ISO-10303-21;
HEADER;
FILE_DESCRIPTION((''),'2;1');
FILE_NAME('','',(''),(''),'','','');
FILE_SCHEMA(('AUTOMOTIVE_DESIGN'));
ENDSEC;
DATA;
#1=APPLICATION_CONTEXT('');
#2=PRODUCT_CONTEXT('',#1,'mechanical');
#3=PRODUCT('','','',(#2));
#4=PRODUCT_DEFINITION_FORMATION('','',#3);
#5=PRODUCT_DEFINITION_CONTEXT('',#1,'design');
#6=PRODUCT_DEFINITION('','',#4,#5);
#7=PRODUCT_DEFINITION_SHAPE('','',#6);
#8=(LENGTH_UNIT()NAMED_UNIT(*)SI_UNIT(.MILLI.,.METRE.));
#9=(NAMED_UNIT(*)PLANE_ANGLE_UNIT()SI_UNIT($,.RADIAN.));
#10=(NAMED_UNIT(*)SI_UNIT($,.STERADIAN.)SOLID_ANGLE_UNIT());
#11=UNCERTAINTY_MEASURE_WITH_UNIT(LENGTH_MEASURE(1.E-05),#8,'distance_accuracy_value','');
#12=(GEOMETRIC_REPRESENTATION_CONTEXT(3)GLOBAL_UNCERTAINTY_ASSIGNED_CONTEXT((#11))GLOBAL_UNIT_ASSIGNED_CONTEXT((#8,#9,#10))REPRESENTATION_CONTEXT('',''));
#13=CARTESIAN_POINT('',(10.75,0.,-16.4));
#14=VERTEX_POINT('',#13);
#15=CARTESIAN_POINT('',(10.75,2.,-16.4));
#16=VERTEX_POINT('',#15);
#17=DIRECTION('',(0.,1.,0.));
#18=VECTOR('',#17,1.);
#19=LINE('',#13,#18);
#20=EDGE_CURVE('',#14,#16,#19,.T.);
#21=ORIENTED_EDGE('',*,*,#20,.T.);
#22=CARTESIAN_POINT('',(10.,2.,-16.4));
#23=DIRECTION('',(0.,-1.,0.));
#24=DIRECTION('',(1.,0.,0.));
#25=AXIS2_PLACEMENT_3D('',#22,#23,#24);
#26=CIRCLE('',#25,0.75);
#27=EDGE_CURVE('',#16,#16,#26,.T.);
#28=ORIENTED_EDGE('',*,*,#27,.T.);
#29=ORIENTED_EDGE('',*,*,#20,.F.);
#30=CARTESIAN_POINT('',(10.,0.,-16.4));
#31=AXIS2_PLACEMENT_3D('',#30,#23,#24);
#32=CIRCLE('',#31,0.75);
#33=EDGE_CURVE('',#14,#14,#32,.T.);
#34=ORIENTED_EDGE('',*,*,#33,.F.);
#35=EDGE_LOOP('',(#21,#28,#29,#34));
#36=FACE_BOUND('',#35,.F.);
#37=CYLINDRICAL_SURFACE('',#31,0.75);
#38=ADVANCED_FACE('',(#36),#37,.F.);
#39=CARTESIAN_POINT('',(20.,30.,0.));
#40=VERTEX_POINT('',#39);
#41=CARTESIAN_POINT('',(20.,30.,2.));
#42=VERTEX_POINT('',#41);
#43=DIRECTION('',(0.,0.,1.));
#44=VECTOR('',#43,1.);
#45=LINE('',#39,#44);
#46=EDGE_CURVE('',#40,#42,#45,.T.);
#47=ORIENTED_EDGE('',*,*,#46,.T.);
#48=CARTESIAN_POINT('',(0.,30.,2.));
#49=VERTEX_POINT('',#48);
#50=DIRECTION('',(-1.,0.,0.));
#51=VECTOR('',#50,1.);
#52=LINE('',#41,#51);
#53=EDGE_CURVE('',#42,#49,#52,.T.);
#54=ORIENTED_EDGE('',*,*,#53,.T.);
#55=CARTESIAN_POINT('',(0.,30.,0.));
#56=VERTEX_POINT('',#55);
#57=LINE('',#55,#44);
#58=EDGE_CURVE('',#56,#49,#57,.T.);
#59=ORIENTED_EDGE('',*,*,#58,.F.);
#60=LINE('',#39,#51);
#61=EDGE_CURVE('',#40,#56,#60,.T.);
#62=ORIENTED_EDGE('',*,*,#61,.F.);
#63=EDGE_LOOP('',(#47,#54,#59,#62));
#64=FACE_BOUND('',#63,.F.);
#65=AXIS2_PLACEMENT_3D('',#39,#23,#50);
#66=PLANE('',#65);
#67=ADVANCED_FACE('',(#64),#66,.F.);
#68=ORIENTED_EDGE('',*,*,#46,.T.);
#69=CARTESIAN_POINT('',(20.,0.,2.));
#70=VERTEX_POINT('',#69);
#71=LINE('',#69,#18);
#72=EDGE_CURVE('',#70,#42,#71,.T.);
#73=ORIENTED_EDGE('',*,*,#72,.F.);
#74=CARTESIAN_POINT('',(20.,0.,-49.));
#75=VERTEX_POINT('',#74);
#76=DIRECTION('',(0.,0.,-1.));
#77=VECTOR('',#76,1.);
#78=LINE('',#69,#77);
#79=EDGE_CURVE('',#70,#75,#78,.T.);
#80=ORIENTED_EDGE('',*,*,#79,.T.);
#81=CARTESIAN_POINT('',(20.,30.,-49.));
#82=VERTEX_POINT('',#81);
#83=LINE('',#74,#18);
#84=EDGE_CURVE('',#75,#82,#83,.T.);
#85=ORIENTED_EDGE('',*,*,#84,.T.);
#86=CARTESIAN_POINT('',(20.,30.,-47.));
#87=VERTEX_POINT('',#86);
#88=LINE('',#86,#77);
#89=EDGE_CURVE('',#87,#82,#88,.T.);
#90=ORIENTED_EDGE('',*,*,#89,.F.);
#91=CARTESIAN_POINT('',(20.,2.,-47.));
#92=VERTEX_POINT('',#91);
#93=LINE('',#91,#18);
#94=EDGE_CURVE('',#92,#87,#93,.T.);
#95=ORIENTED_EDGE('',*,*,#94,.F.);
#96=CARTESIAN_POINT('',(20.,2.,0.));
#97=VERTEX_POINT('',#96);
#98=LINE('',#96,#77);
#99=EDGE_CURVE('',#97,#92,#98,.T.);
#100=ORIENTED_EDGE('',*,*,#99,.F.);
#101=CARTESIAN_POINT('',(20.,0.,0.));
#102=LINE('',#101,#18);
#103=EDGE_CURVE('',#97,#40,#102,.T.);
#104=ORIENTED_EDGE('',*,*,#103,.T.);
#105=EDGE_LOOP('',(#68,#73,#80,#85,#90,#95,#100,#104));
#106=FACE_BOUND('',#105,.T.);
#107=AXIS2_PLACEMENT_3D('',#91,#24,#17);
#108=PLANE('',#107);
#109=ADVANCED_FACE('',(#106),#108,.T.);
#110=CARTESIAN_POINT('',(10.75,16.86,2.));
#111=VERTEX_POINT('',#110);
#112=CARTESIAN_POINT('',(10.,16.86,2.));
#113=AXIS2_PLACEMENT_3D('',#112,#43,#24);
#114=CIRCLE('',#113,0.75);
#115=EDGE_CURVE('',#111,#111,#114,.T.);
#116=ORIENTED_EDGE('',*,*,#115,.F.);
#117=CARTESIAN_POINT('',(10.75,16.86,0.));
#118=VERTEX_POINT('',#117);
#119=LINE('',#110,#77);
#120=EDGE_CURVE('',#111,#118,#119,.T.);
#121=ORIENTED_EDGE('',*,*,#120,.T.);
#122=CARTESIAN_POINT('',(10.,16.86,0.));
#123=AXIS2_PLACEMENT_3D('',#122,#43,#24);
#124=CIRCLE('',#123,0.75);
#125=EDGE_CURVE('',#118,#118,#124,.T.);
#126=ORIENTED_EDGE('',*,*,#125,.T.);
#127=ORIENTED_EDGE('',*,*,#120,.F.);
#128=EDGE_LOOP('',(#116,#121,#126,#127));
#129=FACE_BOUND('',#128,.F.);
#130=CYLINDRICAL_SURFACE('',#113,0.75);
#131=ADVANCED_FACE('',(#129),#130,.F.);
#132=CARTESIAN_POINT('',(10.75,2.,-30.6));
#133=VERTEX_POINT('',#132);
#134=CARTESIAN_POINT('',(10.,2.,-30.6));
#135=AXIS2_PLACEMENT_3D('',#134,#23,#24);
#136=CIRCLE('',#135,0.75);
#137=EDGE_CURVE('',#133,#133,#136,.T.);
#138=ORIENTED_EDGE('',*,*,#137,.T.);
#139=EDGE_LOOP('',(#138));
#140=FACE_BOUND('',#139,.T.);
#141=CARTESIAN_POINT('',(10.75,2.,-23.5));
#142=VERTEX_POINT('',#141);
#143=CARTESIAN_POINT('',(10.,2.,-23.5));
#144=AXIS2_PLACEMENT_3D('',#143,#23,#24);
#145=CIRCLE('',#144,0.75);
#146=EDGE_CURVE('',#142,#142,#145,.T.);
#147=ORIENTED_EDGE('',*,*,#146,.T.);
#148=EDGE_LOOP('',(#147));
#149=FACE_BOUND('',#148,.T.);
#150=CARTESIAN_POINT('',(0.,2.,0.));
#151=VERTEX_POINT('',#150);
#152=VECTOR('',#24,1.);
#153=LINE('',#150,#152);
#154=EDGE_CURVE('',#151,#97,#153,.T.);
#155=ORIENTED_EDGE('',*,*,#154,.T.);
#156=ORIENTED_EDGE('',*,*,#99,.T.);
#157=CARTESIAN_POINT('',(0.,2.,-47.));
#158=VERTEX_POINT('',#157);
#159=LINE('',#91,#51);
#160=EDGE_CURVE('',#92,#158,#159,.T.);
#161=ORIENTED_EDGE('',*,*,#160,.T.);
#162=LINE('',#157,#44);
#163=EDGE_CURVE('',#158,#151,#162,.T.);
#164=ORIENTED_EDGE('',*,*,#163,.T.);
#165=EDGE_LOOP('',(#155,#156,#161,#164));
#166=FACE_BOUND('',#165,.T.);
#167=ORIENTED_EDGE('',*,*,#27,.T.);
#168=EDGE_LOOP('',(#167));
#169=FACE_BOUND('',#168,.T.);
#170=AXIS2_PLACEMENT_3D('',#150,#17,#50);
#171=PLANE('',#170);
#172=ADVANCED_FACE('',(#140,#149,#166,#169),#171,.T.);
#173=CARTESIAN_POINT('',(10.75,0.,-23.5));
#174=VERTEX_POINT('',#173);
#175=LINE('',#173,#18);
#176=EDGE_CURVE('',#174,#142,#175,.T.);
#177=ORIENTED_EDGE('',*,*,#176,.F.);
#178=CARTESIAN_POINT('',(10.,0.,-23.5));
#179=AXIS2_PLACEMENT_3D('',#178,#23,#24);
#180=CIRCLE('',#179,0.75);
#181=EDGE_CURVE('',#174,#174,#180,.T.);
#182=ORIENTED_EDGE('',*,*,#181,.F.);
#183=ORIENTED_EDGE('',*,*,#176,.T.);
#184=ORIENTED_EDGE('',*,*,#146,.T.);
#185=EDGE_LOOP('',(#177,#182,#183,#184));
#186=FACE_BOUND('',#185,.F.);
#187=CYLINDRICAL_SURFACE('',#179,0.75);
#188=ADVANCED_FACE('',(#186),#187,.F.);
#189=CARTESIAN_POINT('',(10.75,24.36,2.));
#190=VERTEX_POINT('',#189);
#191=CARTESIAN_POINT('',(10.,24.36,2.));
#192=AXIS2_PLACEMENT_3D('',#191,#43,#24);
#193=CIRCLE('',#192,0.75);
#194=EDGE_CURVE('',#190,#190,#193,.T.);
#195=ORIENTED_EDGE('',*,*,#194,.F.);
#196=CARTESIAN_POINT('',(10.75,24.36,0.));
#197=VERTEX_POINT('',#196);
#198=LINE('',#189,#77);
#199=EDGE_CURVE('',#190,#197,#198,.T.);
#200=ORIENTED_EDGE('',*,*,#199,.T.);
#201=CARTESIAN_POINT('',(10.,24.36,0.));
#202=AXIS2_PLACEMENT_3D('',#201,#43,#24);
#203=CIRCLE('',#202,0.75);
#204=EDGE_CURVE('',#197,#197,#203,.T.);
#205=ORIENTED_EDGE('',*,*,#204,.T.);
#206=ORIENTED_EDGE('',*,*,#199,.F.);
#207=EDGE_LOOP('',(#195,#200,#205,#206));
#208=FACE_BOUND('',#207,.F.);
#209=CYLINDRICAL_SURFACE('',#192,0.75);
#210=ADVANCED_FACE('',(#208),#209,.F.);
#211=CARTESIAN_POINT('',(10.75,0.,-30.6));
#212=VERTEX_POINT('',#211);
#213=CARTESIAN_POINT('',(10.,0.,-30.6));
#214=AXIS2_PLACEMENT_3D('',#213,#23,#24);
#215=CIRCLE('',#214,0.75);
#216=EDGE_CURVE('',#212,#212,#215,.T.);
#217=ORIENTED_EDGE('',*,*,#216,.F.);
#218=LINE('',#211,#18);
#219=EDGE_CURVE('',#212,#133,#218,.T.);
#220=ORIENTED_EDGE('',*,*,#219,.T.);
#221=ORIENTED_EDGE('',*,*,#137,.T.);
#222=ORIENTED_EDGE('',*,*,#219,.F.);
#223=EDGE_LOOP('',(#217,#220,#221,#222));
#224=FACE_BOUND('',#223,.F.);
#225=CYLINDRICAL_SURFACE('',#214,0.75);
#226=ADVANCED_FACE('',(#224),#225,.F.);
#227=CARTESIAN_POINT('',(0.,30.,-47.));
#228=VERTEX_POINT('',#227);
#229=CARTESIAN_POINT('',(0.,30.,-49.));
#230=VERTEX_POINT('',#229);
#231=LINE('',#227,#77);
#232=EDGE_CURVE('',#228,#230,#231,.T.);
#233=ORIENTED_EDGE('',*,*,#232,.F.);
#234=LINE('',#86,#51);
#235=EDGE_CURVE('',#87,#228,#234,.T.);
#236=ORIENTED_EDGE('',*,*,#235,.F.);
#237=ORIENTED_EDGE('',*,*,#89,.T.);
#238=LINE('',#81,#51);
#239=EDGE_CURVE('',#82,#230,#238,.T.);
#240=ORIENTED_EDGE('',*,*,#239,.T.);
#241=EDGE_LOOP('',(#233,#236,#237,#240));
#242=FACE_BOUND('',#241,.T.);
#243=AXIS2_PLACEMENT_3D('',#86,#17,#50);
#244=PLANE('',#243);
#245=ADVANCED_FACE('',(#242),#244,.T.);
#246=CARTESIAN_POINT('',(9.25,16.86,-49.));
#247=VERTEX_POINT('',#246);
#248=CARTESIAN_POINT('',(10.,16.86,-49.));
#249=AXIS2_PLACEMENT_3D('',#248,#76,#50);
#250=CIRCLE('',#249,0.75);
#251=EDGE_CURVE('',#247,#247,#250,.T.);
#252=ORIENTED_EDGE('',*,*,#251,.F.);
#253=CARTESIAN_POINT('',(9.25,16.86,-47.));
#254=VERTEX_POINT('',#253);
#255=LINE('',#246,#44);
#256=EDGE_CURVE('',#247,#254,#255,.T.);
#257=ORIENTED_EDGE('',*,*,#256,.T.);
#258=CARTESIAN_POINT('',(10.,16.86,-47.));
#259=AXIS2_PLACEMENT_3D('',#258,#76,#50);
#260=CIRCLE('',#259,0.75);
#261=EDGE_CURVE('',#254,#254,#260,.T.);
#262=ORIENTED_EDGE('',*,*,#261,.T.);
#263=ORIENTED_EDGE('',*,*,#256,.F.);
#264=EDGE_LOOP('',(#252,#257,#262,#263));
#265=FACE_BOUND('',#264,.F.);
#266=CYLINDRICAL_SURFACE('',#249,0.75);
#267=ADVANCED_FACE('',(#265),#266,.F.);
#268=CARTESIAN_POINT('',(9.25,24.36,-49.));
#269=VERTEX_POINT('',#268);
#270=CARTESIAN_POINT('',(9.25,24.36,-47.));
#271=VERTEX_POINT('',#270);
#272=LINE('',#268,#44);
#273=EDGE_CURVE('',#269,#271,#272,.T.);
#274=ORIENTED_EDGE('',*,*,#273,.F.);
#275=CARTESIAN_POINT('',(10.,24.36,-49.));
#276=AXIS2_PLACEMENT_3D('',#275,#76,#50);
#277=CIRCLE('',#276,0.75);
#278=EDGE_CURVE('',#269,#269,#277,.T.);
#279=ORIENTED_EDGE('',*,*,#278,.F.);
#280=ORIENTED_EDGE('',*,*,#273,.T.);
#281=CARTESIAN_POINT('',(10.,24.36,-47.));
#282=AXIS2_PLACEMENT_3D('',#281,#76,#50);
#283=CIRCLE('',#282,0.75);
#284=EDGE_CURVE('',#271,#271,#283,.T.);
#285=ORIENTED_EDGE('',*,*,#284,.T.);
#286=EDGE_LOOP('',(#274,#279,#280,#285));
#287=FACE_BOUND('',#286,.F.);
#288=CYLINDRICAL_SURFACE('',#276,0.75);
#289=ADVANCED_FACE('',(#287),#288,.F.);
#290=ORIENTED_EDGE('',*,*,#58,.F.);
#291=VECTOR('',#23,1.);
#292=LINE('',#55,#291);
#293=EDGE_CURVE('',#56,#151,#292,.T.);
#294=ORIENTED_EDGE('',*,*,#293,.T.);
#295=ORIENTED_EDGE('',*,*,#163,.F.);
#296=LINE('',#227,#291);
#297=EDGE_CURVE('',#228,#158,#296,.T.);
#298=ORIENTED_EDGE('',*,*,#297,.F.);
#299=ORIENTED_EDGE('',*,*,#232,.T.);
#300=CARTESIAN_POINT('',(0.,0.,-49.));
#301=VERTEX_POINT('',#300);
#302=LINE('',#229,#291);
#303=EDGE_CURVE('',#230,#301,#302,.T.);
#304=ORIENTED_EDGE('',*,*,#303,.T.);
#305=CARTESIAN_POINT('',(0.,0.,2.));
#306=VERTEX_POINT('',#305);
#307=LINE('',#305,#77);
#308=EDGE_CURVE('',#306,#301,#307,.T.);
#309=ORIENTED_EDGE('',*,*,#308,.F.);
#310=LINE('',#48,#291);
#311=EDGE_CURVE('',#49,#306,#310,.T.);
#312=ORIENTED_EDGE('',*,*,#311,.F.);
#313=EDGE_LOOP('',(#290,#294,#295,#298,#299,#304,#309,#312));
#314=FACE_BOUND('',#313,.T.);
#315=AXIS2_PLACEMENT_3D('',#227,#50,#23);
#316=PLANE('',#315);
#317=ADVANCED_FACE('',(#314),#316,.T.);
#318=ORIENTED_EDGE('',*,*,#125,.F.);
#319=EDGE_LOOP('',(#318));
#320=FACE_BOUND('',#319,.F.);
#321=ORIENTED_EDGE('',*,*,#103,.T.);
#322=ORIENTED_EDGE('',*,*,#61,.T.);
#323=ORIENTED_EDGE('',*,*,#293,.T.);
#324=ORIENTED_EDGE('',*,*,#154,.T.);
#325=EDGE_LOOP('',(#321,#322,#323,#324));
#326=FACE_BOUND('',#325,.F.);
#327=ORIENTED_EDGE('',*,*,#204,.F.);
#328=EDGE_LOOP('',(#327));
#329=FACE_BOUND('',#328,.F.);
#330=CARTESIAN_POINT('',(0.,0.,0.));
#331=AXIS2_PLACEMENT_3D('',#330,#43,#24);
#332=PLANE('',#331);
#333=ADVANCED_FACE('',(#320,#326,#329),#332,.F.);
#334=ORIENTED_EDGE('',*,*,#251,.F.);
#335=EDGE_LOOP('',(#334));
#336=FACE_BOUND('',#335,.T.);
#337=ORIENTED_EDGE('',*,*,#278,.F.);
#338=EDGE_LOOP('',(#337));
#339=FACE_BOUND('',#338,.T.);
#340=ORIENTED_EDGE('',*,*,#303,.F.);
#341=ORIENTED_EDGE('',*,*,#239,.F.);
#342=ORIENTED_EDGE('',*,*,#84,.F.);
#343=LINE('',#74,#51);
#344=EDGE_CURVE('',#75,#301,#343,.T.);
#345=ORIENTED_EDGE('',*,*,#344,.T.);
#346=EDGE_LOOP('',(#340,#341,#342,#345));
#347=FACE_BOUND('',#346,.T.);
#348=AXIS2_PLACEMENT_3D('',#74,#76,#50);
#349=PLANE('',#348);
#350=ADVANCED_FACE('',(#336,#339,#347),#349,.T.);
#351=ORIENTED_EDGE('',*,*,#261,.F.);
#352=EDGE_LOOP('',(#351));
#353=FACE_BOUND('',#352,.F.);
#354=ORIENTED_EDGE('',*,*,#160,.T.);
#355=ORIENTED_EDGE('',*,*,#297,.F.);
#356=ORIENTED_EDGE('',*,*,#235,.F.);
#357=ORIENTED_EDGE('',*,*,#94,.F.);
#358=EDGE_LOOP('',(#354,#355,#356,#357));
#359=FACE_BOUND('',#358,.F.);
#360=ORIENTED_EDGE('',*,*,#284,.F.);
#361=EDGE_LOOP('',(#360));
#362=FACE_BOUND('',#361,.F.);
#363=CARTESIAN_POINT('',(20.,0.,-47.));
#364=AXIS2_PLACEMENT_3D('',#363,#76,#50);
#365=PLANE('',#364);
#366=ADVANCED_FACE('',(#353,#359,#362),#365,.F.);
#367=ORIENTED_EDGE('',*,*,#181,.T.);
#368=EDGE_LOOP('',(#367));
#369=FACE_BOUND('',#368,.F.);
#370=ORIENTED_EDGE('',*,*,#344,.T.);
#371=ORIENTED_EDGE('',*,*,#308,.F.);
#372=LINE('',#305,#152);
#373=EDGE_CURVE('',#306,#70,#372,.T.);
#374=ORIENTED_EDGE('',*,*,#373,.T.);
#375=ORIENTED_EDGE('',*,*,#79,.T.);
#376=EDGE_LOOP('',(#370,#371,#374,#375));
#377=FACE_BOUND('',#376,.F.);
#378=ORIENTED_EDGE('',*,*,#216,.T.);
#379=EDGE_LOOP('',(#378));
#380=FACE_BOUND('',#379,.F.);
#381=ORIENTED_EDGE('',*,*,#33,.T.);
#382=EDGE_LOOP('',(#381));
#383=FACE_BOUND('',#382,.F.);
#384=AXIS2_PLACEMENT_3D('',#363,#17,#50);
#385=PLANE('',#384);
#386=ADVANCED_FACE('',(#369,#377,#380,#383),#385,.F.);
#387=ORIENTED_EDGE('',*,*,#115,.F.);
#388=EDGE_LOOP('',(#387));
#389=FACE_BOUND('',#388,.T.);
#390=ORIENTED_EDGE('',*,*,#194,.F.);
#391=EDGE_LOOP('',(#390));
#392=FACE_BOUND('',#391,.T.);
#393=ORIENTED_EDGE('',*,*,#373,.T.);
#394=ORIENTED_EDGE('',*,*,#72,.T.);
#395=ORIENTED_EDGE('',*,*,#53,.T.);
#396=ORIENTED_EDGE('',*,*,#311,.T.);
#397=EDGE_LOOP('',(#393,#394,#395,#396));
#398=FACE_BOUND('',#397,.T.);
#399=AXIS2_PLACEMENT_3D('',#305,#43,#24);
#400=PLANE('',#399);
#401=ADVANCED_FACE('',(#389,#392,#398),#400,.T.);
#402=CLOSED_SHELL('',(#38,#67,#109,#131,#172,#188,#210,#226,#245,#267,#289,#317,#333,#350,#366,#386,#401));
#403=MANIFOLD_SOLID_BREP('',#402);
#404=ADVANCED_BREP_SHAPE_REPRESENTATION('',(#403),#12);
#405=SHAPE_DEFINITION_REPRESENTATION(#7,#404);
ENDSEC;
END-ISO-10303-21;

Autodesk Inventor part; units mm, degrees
ref_plane "YZ Plane" through (0, 0, 0) normal (1, 0, 0) x (0, 1, 0)
ref_plane "XZ Plane" through (0, 0, 0) normal (0, 1, 0) x (-1, 0, 0)
ref_plane "XY Plane" through (0, 0, 0) normal (0, 0, 1) x (1, 0, 0)
sketch "Sketch9" plane through (0, 0, 0) normal (0, 1, 0) x (-1, 0, 0)
  line L0 (0, 0) -> (-20, 0)
  line L1 (-20, 0) -> (-20, -47)
  line L2 (-20, -47) -> (0, -47)
  line L3 (0, -47) -> (0, 0)
  dimension "d20" = 20
  dimension "d21" = 47
extrude "Extrusion6" add sketch "Sketch9" along normal blind 2
sketch "Sketch10" plane through (0, 0, 0) normal (0, 0, 1) x (1, 0, 0)
  line L0 (0, 0) -> (20, 0) projected
  line L1 (0, 0) -> (20, 0)
  line L2 (20, 0) -> (20, 30)
  line L3 (20, 30) -> (0, 30)
  line L4 (0, 30) -> (0, 0)
  dimension "d24" = 30
  dimension "d40" = 20
extrude "Extrusion7" add sketch "Sketch10" along normal blind 2
sketch "Sketch11" plane through (20, 0, -47) normal (0, 0, -1) x (-1, 0, 0)
  line L0 (0, 2) -> (0, 30) projected
  line L1 (0, 0) -> (20, 0) projected
  line L2 (0, 30) -> (20, 30)
  line L3 (20, 30) -> (20, 0)
  line L4 (20, 0) -> (0, 0)
  line L5 (0, 0) -> (0, 30)
  dimension "d39" = 30
extrude "Extrusion8" add sketch "Sketch11" along normal blind 2
sketch "Sketch12" plane through (20, 0, -49) normal (0, 0, -1) x (-1, 0, 0)
  circle A0 centre (10, 24.36) radius 0.75
  line L0 (20, 30) -> (0, 30) projected
  line L1 (0, 30) -> (0, 0) projected
  point P0 (20, 0)
  dimension "d29" = 1.5
  dimension "d30" = 5.64
  dimension "d31" = 10
extrude "Extrusion9" cut sketch "Sketch12" against normal blind 2
sketch "Sketch13" plane through (20, 0, -49) normal (0, 0, -1) x (-1, 0, 0)
  circle A0 centre (10, 16.86) radius 0.75
  line L0 (0, 30) -> (0, 0) projected
  circle A1 centre (10, 24.36) radius 0.75 projected
  point P0 (20, 0)
  dimension "d34" = 1.5
  dimension "d35" = 10
  dimension "d36" = 7.5
extrude "Extrusion10" cut sketch "Sketch13" against normal blind 2 contours A0
sketch "Sketch14" plane through (0, 0, 0) normal (0, -1, 0) x (1, 0, 0)
  circle A0 centre (10, -23.5) radius 0.75
  line L0 (0, 2) -> (0, -49) projected
  line L1 (20, -47) -> (0, -47) projected
  circle A1 centre (10, -30.6) radius 0.75
  circle A2 centre (10, -16.4) radius 0.75
  point P0 (0, 0)
  dimension "d41" = 1.5
  dimension "d42" = 10
  dimension "d43" = 23.5
  dimension "d44" = 1.5
  dimension "d45" = 7.1
  dimension "d46" = 1.5
  dimension "d47" = 7.1
extrude "Extrusion11" cut sketch "Sketch14" against normal blind 10
sketch "Sketch15" plane through (0, 0, 2) normal (0, 0, 1) x (1, 0, 0)
  circle A0 centre (10, 24.36) radius 0.75 projected
  circle A1 centre (10, 24.36) radius 0.75
  circle A2 centre (10, 16.86) radius 0.75 projected
  circle A3 centre (10, 16.86) radius 0.75
  point P0 (0, 0)
extrude "Extrusion12" cut sketch "Sketch15" against normal blind 2
properties part number "Servo Holder Upper Part"
